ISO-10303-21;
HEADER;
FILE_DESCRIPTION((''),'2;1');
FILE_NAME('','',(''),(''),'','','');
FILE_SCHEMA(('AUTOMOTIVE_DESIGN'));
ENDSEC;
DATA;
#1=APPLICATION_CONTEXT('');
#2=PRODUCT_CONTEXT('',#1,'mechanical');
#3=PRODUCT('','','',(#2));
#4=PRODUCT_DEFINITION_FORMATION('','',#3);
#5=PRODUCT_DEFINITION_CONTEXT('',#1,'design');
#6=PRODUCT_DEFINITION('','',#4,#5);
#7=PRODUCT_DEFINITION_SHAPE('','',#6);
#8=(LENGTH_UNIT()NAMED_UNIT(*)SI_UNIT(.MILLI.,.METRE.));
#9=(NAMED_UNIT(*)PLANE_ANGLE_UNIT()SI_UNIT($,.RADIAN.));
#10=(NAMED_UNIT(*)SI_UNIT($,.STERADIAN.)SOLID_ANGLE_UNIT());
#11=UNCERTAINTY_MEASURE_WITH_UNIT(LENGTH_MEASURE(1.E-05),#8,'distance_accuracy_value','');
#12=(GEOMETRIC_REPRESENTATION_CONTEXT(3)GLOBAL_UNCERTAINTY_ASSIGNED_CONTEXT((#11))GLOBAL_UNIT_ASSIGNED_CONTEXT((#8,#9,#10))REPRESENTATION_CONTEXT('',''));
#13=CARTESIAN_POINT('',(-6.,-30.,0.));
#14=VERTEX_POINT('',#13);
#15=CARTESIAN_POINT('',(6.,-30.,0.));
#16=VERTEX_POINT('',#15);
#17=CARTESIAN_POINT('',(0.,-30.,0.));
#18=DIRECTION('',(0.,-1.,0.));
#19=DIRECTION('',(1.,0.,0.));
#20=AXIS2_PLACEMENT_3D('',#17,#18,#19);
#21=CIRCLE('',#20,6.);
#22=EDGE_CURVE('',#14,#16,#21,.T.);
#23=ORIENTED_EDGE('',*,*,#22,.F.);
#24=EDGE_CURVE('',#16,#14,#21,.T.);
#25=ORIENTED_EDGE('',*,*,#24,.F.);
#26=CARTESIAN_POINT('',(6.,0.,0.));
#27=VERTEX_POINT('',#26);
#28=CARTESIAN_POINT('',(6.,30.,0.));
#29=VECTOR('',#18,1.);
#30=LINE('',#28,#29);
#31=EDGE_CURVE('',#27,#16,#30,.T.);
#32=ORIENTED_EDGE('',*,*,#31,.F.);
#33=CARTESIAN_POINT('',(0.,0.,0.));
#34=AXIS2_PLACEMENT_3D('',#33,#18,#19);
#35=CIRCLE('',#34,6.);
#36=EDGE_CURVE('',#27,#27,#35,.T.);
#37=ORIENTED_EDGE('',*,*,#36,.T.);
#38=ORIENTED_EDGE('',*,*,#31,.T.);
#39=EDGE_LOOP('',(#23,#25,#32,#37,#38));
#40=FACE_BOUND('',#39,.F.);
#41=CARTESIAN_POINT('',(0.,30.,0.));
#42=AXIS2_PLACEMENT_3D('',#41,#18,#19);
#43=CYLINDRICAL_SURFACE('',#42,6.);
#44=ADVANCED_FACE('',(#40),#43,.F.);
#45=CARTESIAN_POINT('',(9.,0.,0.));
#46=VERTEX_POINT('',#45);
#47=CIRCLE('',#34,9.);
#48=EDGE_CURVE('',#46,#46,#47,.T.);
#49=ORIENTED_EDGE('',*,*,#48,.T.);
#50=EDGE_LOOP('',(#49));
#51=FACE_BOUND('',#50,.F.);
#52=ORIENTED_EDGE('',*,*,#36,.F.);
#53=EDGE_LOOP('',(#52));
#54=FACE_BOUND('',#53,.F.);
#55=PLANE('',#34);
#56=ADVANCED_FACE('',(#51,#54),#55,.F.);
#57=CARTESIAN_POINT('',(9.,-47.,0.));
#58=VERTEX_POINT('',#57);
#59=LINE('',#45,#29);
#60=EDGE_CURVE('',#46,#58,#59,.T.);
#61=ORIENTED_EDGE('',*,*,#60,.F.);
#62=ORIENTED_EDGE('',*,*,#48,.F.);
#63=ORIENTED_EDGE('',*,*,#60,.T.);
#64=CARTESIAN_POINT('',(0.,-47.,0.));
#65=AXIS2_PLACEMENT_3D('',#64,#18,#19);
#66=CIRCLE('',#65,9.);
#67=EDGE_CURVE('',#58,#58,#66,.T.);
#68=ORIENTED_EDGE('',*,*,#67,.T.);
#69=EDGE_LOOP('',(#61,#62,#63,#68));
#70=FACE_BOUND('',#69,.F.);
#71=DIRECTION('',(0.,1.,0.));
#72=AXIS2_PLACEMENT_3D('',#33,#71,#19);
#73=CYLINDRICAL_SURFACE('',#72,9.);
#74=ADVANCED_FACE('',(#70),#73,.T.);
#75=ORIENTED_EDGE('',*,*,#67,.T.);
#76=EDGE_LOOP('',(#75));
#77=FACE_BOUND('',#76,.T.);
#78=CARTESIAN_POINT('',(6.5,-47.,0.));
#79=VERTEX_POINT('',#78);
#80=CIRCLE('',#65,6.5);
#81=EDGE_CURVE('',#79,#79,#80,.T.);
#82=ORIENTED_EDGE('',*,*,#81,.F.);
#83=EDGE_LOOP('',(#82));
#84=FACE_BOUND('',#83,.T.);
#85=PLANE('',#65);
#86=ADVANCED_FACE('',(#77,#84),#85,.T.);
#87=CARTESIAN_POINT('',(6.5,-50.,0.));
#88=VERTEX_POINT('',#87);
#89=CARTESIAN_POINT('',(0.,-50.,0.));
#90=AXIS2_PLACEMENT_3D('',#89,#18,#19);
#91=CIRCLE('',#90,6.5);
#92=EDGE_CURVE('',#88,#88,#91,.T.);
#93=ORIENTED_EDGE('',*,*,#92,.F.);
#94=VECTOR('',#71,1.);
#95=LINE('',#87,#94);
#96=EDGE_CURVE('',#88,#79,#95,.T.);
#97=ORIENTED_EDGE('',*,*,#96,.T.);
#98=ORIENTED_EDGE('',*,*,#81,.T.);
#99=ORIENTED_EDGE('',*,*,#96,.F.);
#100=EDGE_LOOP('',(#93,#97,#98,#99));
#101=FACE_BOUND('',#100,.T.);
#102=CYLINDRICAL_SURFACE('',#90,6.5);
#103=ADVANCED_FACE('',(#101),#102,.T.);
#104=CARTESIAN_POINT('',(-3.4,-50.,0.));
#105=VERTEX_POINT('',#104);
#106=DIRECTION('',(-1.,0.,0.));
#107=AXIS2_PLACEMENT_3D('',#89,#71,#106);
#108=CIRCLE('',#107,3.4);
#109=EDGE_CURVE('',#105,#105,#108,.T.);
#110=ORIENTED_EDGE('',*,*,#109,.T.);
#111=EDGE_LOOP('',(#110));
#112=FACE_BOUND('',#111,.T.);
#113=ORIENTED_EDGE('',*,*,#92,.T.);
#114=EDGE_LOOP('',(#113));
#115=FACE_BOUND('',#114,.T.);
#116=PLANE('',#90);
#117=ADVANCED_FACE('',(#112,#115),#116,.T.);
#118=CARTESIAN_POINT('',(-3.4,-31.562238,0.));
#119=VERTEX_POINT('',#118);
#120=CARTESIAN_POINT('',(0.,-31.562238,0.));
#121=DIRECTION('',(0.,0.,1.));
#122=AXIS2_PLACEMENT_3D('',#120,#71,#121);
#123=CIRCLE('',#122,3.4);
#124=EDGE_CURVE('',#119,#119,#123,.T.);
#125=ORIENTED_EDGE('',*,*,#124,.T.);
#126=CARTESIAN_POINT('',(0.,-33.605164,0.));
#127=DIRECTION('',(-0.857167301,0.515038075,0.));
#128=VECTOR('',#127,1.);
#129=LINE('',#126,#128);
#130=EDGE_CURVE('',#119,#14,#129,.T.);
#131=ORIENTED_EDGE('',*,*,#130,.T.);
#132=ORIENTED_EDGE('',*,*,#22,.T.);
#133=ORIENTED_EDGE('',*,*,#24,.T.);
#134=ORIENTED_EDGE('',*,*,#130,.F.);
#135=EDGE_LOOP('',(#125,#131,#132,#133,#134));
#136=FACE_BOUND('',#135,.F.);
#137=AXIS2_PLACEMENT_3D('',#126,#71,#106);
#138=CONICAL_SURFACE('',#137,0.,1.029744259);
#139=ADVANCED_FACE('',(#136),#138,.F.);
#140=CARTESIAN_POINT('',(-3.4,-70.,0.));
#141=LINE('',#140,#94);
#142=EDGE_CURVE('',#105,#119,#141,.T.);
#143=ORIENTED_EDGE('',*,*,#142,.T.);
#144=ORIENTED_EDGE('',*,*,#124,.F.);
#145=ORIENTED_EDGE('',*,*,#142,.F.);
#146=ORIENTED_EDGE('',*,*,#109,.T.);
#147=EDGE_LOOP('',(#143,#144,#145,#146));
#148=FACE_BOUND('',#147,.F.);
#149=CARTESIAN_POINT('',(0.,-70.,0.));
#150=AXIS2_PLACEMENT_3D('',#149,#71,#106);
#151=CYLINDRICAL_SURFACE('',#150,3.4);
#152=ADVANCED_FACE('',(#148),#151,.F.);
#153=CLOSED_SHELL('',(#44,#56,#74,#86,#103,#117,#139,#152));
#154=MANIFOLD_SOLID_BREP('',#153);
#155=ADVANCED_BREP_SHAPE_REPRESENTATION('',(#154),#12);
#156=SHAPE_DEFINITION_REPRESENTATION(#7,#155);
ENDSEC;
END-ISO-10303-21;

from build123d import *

# Parameters (mm, degrees)
F0_R     = 9
F1_DEPTH = 50
F2_R     = 9
F2_R_2   = 6.5
F3_DEPTH = 3
F5_D     = 6.8
F5_DEPTH = 20
F5_TIP   = 2.0429261047
F7_D     = 12
F7_DEPTH = 30
F7_TIP   = 3.6051637142


with BuildPart() as f1:
    # F0 (on Front) → F1 (new body)
    with BuildSketch(Plane.XZ):
        Circle(F0_R)
    extrude(amount=F1_DEPTH)

    # F2 (on face) → F3 (cut)
    with BuildSketch(Plane.XZ.offset(50)):
        Circle(F2_R)
        Circle(F2_R_2, mode=Mode.SUBTRACT)
    extrude(amount=-F3_DEPTH, mode=Mode.SUBTRACT)

    # F5
    with Locations(Plane.XZ.offset(50)):
        with Locations((0, 0)):
            Hole(F5_D / 2, depth=F5_DEPTH)
            with Locations((0, 0, -(F5_DEPTH + F5_TIP / 2))):  # 118° drill point
                Cone(0, F5_D / 2, F5_TIP, mode=Mode.SUBTRACT)

    # F7
    with Locations(Plane(origin=(0, 0, 0), x_dir=(-1, 0, 0), z_dir=(0, 1, 0))):
        with Locations((0, 0)):
            Hole(F7_D / 2, depth=F7_DEPTH)
            with Locations((0, 0, -(F7_DEPTH + F7_TIP / 2))):  # 118° drill point
                Cone(0, F7_D / 2, F7_TIP, mode=Mode.SUBTRACT)


solid = f1.part
